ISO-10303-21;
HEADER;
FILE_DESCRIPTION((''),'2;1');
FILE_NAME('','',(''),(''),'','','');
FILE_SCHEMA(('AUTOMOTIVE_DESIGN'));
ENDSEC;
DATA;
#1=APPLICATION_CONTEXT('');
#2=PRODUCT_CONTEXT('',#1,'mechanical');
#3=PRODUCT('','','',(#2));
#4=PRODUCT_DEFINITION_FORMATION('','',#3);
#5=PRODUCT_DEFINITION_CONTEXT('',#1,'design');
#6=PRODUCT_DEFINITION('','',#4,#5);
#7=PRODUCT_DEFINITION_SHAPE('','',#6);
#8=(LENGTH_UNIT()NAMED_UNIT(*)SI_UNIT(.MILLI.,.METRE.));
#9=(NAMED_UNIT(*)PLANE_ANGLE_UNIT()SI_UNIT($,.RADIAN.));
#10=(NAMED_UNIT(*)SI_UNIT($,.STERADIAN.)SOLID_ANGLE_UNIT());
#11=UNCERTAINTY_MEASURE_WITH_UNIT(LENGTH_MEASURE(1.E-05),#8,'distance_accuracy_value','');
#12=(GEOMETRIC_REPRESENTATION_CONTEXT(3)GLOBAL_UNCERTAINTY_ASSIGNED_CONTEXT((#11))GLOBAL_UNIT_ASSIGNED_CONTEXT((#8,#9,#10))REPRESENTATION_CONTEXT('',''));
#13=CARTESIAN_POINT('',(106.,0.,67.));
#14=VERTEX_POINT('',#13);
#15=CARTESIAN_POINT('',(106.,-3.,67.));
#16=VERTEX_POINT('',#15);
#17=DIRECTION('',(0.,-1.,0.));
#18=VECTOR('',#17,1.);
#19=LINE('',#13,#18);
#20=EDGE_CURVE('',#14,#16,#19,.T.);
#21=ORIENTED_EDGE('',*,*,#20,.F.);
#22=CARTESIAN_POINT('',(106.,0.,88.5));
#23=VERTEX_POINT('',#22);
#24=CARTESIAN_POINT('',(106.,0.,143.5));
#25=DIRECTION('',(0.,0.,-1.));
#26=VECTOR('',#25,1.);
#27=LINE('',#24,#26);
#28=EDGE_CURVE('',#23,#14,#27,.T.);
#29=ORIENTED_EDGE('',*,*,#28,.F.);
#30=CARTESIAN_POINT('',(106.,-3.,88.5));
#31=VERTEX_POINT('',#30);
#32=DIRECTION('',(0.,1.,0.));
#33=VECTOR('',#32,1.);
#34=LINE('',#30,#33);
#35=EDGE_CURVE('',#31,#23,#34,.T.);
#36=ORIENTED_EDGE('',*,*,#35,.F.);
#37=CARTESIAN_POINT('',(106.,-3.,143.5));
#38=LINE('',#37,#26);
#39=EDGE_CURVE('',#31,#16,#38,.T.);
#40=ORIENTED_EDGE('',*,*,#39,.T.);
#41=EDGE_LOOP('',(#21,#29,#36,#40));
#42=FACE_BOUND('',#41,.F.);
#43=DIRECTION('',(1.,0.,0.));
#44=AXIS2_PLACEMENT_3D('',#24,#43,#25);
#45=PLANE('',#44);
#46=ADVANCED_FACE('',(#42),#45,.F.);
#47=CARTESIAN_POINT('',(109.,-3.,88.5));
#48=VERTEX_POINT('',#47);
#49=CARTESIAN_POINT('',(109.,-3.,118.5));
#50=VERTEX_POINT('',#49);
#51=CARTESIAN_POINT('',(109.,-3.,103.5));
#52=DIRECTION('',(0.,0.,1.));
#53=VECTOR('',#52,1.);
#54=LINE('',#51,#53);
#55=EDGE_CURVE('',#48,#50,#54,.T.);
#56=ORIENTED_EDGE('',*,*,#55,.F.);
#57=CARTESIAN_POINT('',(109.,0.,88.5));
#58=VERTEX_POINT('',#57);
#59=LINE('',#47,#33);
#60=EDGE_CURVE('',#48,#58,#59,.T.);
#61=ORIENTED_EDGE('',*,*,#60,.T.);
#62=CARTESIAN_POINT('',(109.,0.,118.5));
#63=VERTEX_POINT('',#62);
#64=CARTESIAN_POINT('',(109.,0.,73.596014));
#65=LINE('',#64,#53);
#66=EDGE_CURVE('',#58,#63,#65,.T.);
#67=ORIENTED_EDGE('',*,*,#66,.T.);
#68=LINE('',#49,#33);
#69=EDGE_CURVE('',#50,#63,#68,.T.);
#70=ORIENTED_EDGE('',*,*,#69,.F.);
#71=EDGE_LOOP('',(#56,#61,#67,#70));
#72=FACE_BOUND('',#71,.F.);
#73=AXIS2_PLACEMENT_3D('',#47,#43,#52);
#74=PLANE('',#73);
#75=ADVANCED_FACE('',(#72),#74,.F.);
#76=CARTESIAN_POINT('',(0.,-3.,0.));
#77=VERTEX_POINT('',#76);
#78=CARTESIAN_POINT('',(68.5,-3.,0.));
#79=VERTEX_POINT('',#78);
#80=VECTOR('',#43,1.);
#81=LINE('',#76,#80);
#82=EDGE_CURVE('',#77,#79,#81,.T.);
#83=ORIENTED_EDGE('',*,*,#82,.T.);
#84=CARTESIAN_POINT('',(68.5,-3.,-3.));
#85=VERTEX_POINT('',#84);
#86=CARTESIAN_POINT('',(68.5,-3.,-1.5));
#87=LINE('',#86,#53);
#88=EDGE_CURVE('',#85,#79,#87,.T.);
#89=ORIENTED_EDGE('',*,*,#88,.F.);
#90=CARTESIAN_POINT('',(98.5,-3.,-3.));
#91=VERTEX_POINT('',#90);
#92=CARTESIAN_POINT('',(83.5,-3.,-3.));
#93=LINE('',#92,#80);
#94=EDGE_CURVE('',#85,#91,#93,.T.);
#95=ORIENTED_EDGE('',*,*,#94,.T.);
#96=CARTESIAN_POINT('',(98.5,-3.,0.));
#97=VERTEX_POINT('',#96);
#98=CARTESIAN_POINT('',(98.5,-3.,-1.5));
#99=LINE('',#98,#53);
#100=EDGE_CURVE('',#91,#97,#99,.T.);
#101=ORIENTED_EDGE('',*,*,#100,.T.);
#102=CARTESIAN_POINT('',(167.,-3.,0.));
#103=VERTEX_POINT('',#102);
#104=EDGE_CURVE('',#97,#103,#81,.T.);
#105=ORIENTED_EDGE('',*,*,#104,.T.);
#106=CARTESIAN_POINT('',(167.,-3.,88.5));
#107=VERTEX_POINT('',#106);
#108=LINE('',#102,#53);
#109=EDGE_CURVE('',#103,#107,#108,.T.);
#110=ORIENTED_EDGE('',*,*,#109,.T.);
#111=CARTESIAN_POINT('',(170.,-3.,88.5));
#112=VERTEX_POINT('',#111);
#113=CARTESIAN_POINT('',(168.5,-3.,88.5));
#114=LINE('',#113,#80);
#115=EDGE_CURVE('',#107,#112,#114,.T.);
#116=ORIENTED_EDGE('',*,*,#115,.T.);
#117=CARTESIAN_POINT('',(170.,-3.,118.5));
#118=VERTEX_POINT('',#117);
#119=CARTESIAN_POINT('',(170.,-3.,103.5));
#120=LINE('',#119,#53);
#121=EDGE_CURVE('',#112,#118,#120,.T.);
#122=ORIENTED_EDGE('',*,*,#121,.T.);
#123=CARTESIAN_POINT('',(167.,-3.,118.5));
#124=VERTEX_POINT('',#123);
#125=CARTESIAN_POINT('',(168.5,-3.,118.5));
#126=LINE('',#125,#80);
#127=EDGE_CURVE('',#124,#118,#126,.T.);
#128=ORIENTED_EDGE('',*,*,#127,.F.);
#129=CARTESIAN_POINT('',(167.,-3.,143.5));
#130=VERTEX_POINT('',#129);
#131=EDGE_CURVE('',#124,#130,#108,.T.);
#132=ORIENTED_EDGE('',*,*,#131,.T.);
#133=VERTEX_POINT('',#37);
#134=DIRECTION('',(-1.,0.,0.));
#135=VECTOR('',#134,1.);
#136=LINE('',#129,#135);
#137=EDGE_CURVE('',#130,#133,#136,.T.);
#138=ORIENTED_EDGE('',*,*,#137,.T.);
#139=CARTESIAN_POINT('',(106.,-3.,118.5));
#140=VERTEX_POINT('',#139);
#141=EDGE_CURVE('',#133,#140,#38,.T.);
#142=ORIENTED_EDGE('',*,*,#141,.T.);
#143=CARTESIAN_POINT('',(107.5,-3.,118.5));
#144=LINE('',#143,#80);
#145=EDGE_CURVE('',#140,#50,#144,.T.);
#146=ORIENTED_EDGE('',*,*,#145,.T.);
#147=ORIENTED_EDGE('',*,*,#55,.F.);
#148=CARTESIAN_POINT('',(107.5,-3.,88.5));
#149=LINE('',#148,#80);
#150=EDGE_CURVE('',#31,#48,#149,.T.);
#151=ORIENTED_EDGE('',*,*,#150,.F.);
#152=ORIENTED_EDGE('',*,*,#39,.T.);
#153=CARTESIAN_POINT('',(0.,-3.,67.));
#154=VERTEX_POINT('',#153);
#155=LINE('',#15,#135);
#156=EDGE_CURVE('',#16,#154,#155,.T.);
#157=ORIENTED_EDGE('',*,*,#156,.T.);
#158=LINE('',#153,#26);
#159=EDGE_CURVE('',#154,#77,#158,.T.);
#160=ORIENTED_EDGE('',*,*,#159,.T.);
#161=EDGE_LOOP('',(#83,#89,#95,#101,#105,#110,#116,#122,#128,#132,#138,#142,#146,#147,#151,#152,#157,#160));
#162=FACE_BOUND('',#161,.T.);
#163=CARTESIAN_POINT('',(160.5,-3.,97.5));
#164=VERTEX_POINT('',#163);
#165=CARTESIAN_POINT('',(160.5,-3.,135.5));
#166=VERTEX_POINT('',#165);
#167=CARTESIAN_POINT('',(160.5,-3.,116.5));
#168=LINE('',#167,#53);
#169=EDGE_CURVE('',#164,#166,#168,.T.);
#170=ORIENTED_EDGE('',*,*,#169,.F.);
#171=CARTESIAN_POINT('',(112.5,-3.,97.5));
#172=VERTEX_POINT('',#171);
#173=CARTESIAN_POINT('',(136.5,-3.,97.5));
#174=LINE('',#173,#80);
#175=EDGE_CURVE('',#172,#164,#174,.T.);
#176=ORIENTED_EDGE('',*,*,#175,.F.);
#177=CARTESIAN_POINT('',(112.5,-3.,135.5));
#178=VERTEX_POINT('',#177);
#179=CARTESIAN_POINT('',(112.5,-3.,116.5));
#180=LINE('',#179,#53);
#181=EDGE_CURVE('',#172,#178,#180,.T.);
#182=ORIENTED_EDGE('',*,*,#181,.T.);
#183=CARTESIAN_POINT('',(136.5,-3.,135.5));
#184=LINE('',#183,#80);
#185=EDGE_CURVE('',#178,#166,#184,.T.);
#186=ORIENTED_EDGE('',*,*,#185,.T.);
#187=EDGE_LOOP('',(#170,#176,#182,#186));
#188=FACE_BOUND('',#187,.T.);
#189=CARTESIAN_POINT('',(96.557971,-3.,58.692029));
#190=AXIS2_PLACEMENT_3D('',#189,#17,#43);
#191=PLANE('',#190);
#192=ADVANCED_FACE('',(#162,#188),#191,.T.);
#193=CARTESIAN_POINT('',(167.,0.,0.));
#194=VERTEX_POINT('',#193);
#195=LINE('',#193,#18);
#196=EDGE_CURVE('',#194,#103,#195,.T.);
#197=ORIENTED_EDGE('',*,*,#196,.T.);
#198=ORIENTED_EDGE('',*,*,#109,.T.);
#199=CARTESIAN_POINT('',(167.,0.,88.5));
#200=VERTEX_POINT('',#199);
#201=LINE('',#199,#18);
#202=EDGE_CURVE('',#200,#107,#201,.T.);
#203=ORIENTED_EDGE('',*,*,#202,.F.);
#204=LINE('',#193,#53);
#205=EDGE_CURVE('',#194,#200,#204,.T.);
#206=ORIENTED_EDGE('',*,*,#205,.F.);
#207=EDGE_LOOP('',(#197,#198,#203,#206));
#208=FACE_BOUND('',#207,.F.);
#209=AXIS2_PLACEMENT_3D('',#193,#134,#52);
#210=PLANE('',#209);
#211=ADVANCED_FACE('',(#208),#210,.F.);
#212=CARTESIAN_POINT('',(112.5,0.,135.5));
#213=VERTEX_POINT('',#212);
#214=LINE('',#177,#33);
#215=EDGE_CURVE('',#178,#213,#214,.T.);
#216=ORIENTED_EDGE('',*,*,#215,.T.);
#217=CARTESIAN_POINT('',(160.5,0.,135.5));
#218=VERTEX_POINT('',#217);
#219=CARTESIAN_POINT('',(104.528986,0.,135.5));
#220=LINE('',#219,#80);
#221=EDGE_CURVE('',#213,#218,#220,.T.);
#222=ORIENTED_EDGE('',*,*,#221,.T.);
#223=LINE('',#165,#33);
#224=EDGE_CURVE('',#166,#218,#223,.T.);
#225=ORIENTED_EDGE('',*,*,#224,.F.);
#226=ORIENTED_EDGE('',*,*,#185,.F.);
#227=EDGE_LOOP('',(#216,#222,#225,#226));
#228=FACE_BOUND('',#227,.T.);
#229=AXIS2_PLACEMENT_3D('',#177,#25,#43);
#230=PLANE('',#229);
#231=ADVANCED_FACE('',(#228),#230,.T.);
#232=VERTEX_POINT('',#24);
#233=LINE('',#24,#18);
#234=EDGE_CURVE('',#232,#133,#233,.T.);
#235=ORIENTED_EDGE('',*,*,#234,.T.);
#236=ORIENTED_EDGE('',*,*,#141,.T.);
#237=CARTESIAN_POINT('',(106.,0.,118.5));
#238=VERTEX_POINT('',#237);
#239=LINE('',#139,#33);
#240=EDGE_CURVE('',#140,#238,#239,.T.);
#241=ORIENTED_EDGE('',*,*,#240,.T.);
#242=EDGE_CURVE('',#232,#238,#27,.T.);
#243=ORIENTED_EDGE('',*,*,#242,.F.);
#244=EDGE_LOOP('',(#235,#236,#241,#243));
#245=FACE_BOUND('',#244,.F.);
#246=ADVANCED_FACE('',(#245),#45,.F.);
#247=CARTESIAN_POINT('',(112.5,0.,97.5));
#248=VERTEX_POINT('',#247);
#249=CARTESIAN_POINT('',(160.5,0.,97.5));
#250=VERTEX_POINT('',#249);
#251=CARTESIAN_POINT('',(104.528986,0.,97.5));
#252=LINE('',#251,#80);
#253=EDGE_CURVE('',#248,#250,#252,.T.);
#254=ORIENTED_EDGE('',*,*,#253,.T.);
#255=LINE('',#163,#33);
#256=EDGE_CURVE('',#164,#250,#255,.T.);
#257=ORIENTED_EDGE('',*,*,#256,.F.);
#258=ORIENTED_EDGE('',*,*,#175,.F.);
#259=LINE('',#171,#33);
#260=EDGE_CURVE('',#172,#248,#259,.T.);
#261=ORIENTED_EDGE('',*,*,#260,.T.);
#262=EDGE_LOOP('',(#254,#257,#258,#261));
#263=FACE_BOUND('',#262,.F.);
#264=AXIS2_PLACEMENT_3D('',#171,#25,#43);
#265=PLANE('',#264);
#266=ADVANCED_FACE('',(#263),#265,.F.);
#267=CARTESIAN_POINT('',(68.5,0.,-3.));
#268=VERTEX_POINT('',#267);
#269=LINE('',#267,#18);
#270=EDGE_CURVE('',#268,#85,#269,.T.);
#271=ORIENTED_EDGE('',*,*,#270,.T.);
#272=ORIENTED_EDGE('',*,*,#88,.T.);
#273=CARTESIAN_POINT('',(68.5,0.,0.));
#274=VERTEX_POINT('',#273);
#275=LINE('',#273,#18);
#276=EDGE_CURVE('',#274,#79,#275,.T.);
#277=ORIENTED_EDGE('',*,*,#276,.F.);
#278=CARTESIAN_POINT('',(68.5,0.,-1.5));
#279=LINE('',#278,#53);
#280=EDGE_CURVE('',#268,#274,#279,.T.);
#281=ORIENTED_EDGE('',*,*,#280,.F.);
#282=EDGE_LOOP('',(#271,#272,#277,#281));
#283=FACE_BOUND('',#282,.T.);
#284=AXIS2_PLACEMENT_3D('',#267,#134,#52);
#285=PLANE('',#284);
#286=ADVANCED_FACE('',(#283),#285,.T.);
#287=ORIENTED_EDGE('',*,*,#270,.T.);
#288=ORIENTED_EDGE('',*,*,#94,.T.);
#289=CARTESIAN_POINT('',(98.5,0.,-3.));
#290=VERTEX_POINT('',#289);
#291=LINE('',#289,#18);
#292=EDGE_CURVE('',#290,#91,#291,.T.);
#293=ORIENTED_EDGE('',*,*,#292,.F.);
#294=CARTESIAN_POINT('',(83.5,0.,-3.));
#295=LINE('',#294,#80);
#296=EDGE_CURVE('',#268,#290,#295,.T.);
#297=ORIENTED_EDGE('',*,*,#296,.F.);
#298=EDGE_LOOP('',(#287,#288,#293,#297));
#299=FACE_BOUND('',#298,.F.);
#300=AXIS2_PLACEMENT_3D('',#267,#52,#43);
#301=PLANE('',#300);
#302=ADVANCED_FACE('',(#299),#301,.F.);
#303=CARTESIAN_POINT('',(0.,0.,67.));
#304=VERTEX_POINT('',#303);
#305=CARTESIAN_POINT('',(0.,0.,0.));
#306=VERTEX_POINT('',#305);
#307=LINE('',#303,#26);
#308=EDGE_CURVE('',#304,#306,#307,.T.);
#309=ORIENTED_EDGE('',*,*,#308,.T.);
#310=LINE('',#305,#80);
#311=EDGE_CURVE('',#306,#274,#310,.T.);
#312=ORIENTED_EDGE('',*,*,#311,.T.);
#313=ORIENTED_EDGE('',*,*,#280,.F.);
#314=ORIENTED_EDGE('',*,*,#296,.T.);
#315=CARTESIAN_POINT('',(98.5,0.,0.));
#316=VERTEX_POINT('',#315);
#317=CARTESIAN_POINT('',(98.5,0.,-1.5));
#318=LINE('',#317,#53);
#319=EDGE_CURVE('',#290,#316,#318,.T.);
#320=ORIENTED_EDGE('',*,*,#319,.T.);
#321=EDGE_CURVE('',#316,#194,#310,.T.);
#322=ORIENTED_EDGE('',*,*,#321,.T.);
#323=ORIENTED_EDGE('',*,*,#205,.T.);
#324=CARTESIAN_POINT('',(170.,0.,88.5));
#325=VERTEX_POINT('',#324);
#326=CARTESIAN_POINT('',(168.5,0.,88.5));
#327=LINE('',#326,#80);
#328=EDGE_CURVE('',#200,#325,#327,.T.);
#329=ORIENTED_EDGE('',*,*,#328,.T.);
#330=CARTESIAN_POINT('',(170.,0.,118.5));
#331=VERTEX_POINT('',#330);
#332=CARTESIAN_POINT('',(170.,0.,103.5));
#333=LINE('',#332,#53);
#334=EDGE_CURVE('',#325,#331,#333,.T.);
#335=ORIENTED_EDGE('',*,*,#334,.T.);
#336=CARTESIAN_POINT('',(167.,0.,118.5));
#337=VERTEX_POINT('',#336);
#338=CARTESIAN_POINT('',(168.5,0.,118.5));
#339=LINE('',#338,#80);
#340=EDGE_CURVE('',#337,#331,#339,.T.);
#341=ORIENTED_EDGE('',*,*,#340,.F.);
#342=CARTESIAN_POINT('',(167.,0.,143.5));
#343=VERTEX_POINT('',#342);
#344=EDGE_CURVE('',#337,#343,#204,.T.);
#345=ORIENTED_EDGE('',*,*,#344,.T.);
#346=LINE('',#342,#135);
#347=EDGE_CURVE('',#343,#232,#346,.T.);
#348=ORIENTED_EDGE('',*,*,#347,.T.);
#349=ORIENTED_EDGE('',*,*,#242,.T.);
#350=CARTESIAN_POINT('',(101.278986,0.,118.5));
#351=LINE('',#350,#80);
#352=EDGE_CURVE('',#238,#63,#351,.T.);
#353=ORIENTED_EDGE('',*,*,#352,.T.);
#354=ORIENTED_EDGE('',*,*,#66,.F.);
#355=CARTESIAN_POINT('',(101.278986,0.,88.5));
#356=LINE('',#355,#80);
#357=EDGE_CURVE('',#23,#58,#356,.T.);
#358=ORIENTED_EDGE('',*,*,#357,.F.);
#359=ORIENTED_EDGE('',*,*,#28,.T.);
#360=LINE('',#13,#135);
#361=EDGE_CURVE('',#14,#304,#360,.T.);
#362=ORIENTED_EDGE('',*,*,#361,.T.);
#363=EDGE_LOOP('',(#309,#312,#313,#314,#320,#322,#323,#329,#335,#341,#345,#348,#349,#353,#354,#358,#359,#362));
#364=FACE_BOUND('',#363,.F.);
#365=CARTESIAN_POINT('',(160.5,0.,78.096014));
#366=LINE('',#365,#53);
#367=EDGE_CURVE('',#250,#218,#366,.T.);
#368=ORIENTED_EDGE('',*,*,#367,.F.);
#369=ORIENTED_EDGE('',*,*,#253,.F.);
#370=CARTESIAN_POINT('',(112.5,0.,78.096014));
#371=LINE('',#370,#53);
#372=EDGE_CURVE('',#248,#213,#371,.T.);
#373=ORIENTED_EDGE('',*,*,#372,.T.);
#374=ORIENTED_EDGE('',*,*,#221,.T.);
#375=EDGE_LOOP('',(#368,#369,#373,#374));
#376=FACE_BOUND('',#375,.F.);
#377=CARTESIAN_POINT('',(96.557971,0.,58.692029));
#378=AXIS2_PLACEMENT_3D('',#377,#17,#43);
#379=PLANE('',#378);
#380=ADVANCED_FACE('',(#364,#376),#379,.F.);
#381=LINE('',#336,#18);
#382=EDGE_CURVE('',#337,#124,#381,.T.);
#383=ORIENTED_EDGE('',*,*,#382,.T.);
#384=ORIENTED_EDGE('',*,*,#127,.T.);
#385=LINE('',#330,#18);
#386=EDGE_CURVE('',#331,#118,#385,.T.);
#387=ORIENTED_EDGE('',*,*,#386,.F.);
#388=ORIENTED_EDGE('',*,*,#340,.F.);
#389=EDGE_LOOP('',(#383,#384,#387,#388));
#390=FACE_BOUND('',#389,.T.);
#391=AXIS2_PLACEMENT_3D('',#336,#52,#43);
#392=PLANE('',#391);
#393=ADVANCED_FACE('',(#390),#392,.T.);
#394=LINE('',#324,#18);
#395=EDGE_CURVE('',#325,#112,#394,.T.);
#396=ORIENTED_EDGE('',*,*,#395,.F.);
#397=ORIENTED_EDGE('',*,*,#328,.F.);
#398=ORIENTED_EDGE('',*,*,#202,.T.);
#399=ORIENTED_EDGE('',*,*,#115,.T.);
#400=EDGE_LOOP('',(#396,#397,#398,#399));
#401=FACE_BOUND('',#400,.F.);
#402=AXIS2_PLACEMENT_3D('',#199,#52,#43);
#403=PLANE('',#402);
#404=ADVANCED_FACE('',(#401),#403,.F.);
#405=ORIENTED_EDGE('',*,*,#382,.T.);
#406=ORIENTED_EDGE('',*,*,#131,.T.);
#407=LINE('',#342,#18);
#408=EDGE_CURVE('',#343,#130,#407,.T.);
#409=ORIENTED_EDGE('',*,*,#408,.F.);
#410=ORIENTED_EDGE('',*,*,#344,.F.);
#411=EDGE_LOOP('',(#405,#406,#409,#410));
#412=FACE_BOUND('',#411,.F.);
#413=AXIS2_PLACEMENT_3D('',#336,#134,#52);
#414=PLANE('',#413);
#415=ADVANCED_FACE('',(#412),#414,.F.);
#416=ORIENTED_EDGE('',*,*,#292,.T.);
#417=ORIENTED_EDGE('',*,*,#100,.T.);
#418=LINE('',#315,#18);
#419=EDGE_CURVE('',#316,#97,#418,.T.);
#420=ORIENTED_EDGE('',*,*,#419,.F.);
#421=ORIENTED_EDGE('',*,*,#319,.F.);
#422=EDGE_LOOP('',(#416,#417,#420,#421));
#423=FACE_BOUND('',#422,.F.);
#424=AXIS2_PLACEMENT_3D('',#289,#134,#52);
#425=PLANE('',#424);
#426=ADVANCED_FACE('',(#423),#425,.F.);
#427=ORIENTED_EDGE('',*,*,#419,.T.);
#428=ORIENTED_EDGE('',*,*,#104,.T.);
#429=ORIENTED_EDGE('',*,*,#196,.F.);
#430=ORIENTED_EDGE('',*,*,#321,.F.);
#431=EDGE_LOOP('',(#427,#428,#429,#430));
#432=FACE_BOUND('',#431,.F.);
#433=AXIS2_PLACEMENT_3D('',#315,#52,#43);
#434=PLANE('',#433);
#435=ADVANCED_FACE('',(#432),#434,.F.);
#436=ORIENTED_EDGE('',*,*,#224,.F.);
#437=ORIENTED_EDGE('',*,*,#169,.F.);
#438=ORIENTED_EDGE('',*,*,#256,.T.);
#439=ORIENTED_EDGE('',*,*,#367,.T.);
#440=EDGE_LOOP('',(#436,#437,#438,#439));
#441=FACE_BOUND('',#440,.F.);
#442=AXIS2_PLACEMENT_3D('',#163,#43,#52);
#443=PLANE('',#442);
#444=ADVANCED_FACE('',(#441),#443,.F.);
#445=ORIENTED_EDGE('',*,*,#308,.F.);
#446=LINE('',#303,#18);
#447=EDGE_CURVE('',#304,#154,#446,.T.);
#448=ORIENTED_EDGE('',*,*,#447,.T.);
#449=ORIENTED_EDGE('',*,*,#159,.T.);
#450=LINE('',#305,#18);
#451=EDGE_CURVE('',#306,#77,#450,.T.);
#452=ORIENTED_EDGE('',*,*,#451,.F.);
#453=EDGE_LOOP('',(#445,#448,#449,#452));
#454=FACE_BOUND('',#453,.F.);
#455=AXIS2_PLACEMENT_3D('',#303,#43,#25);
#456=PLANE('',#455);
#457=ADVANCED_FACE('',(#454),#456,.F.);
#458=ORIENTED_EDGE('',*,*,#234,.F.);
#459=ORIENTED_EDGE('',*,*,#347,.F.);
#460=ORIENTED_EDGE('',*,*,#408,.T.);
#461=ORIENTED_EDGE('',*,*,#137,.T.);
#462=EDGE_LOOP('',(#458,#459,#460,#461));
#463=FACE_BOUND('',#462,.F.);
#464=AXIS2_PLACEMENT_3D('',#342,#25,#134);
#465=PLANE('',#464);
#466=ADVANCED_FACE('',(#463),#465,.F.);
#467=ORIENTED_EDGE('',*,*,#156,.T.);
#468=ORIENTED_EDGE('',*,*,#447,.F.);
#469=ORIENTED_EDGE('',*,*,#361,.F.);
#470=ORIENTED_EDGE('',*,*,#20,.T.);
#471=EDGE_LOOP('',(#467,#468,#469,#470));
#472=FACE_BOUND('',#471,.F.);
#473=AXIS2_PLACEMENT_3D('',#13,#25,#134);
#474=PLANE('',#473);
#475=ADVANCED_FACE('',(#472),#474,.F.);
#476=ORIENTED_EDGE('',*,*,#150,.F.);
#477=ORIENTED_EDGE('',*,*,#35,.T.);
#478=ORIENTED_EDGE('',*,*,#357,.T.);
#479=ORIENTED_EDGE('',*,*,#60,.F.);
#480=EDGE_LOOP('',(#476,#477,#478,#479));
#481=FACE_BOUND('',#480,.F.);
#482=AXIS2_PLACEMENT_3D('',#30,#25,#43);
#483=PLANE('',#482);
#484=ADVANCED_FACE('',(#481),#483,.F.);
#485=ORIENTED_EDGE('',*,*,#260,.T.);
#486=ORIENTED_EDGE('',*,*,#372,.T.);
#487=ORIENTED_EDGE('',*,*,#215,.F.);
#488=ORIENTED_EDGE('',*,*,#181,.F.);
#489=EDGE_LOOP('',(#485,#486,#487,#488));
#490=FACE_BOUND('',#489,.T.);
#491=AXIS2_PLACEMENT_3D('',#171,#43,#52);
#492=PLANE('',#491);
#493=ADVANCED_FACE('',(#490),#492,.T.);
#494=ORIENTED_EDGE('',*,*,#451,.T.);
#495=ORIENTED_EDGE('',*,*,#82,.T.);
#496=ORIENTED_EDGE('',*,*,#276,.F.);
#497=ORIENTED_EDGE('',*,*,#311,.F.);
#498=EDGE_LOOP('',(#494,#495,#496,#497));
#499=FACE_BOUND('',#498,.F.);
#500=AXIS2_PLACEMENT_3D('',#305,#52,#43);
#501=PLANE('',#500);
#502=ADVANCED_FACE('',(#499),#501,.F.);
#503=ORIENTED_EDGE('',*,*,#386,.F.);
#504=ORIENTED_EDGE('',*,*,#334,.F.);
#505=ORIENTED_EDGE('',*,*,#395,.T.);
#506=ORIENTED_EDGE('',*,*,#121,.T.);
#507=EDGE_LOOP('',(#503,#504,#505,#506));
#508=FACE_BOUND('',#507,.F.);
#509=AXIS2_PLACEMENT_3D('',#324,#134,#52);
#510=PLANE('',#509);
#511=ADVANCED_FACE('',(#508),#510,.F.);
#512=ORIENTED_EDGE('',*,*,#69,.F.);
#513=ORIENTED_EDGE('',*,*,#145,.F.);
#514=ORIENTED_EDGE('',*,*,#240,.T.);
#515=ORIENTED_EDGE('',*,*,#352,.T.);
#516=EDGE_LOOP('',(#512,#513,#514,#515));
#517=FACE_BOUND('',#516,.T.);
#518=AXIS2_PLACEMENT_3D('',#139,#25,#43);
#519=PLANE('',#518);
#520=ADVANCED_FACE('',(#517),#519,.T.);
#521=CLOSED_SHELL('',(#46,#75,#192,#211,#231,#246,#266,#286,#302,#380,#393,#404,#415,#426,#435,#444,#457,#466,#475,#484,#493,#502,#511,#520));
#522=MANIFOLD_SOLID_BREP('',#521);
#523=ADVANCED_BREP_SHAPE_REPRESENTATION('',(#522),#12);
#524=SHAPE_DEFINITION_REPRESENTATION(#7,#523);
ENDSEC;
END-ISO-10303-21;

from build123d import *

# Parameters (mm, degrees)
F0_W     = 30
F0_H     = 3
F0_W_2   = 3
F0_H_2   = 30
F1_DEPTH = 3
F2_W     = 48
F2_H     = 38
F2_W_2   = 3
F2_H_2   = 30
F3_DEPTH = 25


with BuildPart() as f1:
    # F0 (on Front) → F1 (new body)
    with BuildSketch(Plane.XZ):
        Polygon((0, 67), (0, 0), (68.5, 0), (98.5, 0), (167, 0), (167, 88.5), (167, 118.5), (167, 143.5), (106, 143.5), (106, 67), align=None)
        with Locations((83.5, -1.5)):
            Rectangle(F0_W, F0_H)
        with Locations((168.5, 103.5)):
            Rectangle(F0_W_2, F0_H_2)
    extrude(amount=F1_DEPTH)

    # F2 (on face) → F3 (cut)
    with BuildSketch(Plane.XZ.offset(3)):
        with Locations((136.5, 116.5)):
            Rectangle(F2_W, F2_H)
        with Locations((107.5, 103.5)):
            Rectangle(F2_W_2, F2_H_2)
    extrude(amount=-F3_DEPTH, mode=Mode.SUBTRACT)


solid = f1.part
